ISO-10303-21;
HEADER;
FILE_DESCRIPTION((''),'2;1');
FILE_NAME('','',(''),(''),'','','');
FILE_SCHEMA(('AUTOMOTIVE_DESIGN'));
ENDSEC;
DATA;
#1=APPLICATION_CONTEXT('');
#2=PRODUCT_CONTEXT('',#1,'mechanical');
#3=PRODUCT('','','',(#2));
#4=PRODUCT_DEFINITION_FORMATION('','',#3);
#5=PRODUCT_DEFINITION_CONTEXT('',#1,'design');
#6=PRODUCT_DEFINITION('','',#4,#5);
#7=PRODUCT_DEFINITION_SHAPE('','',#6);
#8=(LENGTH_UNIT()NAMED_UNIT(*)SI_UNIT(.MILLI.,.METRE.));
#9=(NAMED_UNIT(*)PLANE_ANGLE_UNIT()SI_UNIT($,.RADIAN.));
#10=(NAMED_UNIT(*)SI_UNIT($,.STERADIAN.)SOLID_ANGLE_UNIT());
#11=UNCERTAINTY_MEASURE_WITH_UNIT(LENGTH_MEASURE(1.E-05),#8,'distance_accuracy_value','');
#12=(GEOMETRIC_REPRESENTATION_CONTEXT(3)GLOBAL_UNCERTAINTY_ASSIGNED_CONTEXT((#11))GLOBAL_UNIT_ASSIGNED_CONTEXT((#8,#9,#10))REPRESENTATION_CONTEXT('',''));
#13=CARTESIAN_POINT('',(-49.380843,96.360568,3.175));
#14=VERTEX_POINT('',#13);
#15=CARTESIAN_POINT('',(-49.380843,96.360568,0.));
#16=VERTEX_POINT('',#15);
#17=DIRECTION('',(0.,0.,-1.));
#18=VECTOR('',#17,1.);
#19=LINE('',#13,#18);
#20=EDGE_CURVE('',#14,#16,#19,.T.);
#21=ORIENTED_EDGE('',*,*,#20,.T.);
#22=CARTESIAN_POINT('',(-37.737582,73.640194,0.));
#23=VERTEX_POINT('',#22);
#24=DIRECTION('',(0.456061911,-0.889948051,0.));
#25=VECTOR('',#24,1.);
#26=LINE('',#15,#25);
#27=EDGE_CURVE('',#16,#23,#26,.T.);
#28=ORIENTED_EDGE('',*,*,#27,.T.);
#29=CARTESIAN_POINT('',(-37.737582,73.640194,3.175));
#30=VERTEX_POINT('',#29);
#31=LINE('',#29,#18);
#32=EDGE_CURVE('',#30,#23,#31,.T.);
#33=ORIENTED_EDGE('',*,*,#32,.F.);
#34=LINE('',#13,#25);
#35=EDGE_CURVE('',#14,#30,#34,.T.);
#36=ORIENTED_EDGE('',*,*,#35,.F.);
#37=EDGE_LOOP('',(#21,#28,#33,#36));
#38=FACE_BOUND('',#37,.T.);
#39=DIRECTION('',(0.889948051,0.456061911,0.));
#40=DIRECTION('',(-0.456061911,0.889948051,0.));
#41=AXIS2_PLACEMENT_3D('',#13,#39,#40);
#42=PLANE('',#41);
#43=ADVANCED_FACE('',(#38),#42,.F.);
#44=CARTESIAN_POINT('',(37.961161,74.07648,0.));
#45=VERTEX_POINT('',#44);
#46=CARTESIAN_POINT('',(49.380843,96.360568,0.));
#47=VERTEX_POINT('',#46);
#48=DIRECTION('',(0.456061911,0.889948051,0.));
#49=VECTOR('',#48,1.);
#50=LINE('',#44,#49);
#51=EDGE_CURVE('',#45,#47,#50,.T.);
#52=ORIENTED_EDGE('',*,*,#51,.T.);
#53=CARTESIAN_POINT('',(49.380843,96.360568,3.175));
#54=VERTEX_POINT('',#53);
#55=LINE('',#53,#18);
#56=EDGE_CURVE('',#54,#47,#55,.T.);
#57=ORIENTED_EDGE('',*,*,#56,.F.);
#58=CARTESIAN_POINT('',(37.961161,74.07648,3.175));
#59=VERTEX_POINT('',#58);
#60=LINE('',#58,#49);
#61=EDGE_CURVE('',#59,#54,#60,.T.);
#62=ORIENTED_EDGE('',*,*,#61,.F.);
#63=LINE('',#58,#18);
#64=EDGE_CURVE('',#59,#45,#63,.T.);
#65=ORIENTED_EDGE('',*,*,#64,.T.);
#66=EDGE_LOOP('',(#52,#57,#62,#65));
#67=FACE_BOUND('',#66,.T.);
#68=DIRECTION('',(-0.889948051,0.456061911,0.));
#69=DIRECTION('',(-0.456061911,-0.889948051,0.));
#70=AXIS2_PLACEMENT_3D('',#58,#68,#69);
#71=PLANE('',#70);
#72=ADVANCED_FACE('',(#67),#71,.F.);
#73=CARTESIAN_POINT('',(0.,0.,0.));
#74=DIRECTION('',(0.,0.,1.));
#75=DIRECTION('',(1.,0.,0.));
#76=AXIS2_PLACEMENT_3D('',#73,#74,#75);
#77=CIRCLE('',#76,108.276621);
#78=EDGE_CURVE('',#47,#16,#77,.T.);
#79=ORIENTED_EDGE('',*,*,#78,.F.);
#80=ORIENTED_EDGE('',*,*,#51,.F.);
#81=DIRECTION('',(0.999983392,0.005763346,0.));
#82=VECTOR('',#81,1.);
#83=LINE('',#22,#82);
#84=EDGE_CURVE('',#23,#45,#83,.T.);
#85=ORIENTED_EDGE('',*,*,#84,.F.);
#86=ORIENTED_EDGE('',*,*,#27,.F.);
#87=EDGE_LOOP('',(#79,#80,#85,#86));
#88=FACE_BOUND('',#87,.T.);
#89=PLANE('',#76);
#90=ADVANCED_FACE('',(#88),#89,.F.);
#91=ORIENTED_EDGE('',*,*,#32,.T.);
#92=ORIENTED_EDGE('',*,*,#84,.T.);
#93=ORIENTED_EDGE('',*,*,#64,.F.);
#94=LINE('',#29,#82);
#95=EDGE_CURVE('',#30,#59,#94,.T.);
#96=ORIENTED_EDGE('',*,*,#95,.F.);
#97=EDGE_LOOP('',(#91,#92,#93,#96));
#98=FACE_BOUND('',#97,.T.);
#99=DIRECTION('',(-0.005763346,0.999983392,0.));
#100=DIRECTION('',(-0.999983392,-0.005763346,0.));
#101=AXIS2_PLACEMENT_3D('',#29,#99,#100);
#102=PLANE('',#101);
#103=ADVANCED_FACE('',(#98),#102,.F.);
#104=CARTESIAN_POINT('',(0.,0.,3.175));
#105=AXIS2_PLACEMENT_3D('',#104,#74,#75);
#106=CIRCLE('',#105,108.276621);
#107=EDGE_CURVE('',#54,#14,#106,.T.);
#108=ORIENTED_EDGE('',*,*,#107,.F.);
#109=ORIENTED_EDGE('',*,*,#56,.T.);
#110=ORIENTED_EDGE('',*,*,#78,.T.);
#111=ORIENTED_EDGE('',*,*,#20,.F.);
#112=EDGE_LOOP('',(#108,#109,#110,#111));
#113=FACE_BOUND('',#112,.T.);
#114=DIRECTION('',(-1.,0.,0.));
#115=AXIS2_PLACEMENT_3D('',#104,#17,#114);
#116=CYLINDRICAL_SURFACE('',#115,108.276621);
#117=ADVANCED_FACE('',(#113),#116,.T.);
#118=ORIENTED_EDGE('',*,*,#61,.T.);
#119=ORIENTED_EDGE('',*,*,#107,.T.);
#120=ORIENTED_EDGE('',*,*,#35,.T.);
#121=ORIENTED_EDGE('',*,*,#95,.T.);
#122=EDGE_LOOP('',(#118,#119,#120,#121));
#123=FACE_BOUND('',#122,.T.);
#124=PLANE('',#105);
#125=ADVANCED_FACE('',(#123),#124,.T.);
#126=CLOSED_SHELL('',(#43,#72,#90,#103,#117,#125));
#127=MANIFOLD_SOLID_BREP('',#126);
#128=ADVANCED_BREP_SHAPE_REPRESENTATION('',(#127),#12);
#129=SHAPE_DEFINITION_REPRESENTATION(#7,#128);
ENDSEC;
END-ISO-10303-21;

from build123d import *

# Parameters (mm, degrees)
BOSS_EXTRUDE1_DEPTH = 3.175


with BuildPart() as part:
    # Sketch1 → Boss-Extrude1 (new body)
    with BuildSketch(Plane.XY):
        with BuildLine():
            Line((-49.380842801, 96.360567986), (-37.737582209, 73.640194249))
            Line((-37.737582209, 73.640194249), (37.961160549, 74.076479551))
            Line((37.961160549, 74.076479551), (49.380842801, 96.360567986))
            ThreePointArc((49.380842801, 96.360567986), (0, 108.2766212), (-49.380842801, 96.360567986))
        make_face()
    extrude(amount=BOSS_EXTRUDE1_DEPTH)


solid = part.part
